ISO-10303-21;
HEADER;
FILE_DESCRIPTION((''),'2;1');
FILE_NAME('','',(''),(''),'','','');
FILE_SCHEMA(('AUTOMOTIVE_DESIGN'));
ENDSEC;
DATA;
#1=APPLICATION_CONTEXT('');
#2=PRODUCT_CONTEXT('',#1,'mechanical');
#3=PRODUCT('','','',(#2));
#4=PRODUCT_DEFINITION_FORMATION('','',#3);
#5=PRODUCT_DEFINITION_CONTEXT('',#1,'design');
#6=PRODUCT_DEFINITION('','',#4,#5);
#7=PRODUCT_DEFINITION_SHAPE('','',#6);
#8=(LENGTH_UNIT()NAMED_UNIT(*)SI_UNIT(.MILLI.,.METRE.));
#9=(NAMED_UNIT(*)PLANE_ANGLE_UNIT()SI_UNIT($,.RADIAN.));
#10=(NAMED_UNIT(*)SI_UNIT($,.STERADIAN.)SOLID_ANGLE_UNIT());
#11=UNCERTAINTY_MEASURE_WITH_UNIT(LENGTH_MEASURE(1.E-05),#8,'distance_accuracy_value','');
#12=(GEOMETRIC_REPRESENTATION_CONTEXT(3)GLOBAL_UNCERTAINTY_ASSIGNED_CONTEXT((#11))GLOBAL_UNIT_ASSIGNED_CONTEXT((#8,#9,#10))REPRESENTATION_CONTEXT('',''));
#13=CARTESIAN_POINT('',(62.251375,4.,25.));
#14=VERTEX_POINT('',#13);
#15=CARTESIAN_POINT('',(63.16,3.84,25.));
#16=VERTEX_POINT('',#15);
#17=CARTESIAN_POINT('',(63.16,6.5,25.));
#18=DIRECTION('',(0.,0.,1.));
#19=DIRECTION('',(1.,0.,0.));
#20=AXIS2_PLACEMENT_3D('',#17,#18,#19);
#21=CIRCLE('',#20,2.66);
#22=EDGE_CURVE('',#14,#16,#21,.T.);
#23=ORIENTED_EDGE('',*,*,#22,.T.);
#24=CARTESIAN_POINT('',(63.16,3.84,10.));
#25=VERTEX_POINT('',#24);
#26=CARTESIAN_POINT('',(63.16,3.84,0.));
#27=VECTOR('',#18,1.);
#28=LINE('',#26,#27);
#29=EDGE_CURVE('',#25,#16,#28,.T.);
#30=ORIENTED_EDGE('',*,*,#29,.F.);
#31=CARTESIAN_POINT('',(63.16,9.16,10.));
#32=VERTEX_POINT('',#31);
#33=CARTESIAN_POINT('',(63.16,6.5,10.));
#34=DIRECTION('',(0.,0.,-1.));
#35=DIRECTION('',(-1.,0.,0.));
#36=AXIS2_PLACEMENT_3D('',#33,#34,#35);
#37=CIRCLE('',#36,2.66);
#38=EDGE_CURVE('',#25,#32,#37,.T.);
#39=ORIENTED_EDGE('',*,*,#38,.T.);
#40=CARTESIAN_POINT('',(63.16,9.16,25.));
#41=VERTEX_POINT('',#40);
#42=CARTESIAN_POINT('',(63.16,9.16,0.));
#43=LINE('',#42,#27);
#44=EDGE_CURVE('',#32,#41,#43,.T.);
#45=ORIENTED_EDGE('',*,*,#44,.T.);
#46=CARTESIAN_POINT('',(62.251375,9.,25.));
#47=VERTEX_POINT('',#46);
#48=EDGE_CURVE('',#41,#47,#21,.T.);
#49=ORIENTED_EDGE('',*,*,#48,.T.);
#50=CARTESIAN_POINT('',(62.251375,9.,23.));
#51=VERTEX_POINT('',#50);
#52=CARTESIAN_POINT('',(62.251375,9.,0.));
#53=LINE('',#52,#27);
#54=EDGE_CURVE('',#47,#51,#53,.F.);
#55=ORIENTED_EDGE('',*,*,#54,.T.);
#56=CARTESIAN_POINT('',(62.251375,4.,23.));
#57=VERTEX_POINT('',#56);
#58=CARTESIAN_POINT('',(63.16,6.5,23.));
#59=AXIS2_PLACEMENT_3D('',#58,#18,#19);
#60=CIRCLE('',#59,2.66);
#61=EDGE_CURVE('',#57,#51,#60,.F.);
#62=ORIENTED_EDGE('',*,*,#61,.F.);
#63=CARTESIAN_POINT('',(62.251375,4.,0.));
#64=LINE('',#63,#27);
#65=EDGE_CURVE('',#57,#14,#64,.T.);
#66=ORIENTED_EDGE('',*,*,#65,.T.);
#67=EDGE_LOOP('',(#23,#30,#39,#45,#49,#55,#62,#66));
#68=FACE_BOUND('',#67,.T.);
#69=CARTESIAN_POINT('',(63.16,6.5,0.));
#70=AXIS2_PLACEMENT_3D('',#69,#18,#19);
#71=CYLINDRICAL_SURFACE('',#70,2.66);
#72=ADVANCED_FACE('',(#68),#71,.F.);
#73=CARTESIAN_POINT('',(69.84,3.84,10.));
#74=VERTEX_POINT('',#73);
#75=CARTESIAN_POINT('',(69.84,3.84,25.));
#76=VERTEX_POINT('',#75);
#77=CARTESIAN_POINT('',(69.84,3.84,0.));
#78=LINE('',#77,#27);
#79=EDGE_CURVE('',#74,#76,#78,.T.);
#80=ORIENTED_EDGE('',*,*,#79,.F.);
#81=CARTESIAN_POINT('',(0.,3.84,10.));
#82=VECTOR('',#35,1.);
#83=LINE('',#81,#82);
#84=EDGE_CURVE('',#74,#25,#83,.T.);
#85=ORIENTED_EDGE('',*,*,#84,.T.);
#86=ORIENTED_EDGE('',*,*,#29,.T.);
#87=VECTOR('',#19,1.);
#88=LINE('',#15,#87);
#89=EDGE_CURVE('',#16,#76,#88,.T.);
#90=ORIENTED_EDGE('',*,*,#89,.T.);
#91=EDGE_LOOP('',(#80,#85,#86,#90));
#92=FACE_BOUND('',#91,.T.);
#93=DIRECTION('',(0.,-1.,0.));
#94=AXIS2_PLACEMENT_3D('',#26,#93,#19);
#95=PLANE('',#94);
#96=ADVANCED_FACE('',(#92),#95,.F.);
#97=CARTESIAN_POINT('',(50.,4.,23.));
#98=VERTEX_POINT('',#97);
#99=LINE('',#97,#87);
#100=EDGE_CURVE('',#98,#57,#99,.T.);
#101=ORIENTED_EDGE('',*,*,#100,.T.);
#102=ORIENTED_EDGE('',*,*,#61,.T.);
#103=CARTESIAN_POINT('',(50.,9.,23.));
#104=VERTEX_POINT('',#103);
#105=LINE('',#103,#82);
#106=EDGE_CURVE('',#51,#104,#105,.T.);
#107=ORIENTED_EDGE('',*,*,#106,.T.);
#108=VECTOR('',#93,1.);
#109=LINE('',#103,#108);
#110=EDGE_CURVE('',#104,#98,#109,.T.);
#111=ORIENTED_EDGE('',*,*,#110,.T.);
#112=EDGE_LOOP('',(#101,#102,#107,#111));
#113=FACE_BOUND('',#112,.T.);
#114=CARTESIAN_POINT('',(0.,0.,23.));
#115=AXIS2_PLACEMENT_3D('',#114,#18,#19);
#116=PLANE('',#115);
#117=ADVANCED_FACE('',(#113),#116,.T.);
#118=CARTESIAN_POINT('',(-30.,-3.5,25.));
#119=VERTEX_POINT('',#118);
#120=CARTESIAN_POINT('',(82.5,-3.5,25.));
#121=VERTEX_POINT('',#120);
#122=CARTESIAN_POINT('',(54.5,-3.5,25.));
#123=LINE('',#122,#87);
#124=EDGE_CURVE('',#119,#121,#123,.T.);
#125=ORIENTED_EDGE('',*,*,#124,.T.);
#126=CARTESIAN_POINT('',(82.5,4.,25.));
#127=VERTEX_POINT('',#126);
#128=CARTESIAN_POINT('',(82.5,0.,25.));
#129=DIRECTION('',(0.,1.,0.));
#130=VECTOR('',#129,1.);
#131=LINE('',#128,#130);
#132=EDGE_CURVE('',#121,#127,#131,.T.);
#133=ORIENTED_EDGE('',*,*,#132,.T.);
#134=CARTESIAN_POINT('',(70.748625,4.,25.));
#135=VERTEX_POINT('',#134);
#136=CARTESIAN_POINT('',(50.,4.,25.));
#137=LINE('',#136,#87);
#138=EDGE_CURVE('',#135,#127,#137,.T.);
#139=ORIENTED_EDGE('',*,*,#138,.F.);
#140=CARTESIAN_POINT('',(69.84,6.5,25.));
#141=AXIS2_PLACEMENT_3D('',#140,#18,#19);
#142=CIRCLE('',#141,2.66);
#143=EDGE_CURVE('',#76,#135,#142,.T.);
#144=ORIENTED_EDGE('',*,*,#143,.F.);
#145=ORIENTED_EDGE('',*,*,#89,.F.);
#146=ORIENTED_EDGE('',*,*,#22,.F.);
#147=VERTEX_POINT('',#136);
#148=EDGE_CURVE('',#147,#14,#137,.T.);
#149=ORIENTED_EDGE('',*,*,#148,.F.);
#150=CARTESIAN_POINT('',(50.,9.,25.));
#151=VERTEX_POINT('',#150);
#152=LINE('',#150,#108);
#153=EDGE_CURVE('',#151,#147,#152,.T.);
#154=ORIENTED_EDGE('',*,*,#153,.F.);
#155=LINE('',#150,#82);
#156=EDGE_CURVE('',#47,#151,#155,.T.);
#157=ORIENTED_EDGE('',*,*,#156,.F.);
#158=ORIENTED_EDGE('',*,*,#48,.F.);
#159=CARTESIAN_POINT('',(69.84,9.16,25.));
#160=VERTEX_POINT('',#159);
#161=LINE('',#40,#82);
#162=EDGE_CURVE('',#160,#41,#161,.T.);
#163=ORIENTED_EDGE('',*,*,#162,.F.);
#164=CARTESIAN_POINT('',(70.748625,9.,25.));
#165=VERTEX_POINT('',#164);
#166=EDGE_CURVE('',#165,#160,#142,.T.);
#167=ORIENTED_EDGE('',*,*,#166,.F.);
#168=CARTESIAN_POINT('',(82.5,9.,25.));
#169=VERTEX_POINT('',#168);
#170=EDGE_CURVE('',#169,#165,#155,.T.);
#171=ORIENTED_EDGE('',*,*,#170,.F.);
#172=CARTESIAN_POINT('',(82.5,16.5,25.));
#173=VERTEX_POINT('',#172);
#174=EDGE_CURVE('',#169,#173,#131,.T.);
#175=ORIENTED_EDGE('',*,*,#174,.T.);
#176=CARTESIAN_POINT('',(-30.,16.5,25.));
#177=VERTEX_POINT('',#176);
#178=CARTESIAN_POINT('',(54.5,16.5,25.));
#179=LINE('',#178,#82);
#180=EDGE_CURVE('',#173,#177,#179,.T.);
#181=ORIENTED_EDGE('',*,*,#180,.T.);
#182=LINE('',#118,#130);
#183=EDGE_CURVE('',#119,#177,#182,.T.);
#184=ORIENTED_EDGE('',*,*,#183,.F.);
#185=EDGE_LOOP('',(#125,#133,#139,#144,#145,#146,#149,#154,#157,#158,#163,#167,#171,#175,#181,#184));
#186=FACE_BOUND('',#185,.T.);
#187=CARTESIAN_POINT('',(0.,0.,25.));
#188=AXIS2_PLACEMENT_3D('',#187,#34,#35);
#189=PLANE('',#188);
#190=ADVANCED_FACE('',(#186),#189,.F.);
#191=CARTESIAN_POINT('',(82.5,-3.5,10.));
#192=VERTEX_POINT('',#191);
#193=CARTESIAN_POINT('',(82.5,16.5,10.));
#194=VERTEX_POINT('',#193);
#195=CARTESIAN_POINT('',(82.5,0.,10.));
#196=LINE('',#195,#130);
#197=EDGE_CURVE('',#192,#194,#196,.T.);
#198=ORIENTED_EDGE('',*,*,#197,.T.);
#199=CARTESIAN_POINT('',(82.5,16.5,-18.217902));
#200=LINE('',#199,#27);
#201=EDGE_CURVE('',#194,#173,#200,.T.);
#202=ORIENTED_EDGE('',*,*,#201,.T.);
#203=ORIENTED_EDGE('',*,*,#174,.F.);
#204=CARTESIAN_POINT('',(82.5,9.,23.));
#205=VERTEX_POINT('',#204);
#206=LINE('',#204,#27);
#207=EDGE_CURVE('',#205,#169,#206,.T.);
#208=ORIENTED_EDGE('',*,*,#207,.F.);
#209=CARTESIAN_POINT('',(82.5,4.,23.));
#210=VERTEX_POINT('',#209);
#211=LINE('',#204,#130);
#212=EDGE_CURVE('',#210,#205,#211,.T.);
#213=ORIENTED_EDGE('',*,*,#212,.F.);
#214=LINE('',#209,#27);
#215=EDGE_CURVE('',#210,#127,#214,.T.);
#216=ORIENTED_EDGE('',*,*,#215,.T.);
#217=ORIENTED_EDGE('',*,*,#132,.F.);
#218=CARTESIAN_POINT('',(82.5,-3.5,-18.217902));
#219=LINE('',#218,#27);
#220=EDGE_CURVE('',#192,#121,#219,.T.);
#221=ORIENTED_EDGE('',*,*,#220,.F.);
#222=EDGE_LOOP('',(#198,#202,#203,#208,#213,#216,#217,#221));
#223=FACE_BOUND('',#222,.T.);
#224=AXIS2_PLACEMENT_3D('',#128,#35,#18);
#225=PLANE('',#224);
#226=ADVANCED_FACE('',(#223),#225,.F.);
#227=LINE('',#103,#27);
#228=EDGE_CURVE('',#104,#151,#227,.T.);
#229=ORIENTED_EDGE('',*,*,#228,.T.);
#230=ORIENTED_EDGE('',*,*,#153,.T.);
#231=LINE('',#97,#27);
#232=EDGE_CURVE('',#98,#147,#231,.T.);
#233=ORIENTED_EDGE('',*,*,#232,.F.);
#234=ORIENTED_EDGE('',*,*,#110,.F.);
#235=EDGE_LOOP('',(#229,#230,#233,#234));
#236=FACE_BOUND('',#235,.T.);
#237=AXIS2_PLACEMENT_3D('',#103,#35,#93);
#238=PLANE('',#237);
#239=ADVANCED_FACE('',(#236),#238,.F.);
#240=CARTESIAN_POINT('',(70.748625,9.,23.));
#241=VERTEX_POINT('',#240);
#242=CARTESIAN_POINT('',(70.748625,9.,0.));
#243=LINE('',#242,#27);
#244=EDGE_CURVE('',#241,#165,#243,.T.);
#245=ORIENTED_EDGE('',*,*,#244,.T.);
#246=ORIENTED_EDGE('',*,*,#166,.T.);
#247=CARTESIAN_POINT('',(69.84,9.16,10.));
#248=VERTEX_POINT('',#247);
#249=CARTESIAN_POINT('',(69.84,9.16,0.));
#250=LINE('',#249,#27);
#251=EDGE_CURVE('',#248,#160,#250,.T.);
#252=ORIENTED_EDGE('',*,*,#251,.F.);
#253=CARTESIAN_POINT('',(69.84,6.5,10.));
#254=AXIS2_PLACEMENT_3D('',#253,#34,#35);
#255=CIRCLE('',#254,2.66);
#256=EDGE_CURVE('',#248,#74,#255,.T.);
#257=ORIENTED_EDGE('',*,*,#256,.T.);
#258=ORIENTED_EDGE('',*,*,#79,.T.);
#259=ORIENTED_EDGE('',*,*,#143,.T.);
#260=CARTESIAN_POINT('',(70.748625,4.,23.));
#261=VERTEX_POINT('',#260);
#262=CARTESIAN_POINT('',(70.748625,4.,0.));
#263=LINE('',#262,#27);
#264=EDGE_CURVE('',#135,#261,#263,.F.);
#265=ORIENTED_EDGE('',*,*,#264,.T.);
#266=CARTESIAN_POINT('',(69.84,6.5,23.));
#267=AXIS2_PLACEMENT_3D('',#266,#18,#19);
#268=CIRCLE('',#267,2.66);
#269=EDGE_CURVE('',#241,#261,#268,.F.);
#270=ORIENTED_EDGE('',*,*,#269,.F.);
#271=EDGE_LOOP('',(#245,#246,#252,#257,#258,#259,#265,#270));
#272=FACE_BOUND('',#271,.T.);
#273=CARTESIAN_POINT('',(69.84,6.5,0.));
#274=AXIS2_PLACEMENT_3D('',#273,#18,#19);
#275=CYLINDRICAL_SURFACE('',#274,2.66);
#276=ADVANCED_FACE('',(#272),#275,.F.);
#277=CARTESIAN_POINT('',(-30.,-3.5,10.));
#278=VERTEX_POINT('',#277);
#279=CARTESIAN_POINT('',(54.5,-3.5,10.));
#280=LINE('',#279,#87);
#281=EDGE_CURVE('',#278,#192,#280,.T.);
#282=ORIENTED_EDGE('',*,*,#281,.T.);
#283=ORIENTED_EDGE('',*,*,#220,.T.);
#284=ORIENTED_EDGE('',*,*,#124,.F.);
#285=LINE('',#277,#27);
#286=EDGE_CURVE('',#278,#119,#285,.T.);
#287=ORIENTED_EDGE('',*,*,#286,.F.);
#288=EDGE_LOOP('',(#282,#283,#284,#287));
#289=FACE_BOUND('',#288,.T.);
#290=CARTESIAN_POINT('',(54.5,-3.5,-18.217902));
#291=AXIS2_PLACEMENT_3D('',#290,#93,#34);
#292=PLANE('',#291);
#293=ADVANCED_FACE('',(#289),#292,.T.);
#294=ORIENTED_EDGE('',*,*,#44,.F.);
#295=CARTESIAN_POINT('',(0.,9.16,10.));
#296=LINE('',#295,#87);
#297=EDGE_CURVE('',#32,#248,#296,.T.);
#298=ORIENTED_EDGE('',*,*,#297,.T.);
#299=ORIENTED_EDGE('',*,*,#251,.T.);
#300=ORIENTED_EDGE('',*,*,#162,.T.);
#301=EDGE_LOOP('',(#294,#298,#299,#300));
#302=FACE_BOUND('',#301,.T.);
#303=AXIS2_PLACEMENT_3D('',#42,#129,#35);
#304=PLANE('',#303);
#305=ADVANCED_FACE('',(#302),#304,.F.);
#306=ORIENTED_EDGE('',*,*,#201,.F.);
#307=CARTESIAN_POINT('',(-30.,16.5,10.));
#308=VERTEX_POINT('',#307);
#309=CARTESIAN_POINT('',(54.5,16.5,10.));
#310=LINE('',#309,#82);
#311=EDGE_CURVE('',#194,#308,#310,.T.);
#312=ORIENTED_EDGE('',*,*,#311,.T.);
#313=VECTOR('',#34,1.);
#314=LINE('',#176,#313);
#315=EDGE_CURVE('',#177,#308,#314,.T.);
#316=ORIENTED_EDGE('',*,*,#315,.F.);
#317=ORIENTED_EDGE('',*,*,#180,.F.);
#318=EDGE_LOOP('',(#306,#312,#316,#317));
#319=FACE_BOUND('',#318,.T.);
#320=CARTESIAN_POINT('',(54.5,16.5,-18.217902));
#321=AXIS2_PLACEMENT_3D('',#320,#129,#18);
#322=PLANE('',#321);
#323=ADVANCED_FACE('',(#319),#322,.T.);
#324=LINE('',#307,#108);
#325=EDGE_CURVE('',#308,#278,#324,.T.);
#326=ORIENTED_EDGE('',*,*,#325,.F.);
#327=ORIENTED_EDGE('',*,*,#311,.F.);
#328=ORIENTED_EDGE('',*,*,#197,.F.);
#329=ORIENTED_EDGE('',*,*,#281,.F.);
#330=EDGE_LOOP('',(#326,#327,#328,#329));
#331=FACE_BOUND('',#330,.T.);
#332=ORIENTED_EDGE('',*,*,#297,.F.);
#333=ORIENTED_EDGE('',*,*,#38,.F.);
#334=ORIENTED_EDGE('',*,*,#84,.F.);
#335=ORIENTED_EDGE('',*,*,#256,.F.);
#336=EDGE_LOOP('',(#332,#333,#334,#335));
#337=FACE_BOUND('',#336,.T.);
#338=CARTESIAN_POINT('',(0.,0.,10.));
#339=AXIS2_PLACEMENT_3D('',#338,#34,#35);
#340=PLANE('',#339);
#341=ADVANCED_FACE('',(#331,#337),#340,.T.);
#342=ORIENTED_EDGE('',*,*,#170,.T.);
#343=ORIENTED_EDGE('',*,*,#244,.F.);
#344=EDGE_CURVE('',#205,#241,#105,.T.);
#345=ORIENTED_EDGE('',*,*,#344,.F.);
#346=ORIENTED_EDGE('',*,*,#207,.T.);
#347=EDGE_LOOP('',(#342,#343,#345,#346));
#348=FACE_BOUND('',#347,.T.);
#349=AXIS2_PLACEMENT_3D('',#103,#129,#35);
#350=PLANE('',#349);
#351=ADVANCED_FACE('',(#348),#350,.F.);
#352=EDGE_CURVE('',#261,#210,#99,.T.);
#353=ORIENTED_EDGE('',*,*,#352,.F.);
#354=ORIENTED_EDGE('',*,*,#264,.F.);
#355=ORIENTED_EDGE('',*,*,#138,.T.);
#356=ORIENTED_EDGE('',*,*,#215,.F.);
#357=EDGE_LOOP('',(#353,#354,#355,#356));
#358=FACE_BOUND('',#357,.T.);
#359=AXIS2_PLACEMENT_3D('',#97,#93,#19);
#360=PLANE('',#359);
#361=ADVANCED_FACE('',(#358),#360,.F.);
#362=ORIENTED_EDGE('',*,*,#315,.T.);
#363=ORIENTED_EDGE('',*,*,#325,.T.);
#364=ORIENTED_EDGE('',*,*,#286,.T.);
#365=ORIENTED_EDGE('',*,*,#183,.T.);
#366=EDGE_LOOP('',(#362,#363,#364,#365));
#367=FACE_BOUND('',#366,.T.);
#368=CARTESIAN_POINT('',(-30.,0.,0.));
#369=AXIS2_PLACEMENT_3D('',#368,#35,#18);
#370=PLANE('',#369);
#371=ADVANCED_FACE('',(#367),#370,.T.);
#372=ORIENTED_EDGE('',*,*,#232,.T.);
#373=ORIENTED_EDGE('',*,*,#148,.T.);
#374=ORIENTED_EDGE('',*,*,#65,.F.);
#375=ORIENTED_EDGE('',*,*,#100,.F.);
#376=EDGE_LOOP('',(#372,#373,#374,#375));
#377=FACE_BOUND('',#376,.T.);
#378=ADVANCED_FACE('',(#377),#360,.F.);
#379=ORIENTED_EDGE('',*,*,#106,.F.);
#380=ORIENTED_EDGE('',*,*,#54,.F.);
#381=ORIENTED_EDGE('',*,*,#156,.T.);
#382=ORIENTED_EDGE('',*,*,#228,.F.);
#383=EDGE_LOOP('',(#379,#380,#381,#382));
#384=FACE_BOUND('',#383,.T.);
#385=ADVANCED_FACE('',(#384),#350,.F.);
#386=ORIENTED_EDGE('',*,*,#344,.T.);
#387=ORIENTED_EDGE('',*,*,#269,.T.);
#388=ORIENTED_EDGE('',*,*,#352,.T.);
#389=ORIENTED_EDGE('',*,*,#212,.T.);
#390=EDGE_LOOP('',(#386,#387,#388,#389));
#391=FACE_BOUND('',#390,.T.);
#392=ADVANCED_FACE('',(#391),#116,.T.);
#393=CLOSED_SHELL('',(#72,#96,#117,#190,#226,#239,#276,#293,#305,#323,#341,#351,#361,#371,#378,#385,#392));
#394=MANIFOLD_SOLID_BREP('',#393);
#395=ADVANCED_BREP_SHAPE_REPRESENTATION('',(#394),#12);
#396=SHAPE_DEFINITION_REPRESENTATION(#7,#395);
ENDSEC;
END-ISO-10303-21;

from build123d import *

# Parameters (mm, degrees)
SKETCH1_W           = 24.634
SKETCH1_H           = 13
BOSS_EXTRUDE1_DEPTH = 10
SKETCH4_W           = 82.5
SKETCH4_H           = 13
BOSS_EXTRUDE4_DEPTH = 15
SKETCH5_W           = 28
SKETCH5_H           = 3.5
BOSS_EXTRUDE5_DEPTH = 15
CUT_EXTRUDE1_DEPTH  = 26
SKETCH7_W           = 32.5
SKETCH7_H           = 5
CUT_EXTRUDE2_DEPTH  = 2
SKETCH8_W           = 10
SKETCH8_H           = 13
CUT_EXTRUDE3_DEPTH  = 25.634
SKETCH9_W           = 15
SKETCH9_H           = 3.5
BOSS_EXTRUDE6_DEPTH = 54.5
SKETCH10_W          = 15
SKETCH10_H          = 20
BOSS_EXTRUDE7_DEPTH = 30


with BuildPart() as part:
    # Sketch1 → Boss-Extrude1 (new body)
    with BuildSketch(Plane.XY):
        with Locations((12.317, 6.5)):
            Rectangle(SKETCH1_W, SKETCH1_H)
    extrude(amount=BOSS_EXTRUDE1_DEPTH)

    # Sketch4 → Boss-Extrude4 (add)
    with BuildSketch(Plane.XY.offset(10)):
        with Locations((41.25, 6.5)):
            Rectangle(SKETCH4_W, SKETCH4_H)
    extrude(amount=BOSS_EXTRUDE4_DEPTH)

    # Sketch5 → Boss-Extrude5 (add)
    with BuildSketch(Plane.XY.offset(25)):
        with Locations((68.5, -1.75)):
            Rectangle(SKETCH5_W, SKETCH5_H)
        with Locations((68.5, 14.75)):
            Rectangle(SKETCH5_W, SKETCH5_H)
    extrude(amount=-BOSS_EXTRUDE5_DEPTH)

    # Sketch6 → Cut-Extrude1 (cut, through all)
    with BuildSketch(Plane.XY.offset(25)):
        with BuildLine():
            Line((63.16, 9.16), (69.84, 9.16))
            ThreePointArc((69.84, 9.16), (72.5, 6.5), (69.84, 3.84))
            Line((69.84, 3.84), (63.16, 3.84))
            ThreePointArc((63.16, 3.84), (60.5, 6.5), (63.16, 9.16))
        make_face()
    extrude(amount=-CUT_EXTRUDE1_DEPTH, mode=Mode.SUBTRACT)

    # Sketch7 → Cut-Extrude2 (cut)
    with BuildSketch(Plane.XY.offset(25)):
        with Locations((66.25, 6.5)):
            Rectangle(SKETCH7_W, SKETCH7_H)
    extrude(amount=-CUT_EXTRUDE2_DEPTH, mode=Mode.SUBTRACT)

    # Sketch8 → Cut-Extrude3 (cut, through all)
    with BuildSketch(Plane(origin=(24.634, 0, 0), x_dir=(0, 0, -1), z_dir=(1, 0, 0))):
        with Locations((-5, 6.5)):
            Rectangle(SKETCH8_W, SKETCH8_H)
    extrude(amount=-CUT_EXTRUDE3_DEPTH, mode=Mode.SUBTRACT)

    # Sketch9 → Boss-Extrude6 (add)
    with BuildSketch(Plane.ZY.offset(-54.5)):
        with Locations((17.5, 14.75)):
            Rectangle(SKETCH9_W, SKETCH9_H)
        with Locations((17.5, -1.75)):
            Rectangle(SKETCH9_W, SKETCH9_H)
    extrude(amount=BOSS_EXTRUDE6_DEPTH)

    # Sketch10 → Boss-Extrude7 (add)
    with BuildSketch(Plane.ZY):
        with Locations((17.5, 6.5)):
            Rectangle(SKETCH10_W, SKETCH10_H)
    extrude(amount=BOSS_EXTRUDE7_DEPTH)


solid = part.part
